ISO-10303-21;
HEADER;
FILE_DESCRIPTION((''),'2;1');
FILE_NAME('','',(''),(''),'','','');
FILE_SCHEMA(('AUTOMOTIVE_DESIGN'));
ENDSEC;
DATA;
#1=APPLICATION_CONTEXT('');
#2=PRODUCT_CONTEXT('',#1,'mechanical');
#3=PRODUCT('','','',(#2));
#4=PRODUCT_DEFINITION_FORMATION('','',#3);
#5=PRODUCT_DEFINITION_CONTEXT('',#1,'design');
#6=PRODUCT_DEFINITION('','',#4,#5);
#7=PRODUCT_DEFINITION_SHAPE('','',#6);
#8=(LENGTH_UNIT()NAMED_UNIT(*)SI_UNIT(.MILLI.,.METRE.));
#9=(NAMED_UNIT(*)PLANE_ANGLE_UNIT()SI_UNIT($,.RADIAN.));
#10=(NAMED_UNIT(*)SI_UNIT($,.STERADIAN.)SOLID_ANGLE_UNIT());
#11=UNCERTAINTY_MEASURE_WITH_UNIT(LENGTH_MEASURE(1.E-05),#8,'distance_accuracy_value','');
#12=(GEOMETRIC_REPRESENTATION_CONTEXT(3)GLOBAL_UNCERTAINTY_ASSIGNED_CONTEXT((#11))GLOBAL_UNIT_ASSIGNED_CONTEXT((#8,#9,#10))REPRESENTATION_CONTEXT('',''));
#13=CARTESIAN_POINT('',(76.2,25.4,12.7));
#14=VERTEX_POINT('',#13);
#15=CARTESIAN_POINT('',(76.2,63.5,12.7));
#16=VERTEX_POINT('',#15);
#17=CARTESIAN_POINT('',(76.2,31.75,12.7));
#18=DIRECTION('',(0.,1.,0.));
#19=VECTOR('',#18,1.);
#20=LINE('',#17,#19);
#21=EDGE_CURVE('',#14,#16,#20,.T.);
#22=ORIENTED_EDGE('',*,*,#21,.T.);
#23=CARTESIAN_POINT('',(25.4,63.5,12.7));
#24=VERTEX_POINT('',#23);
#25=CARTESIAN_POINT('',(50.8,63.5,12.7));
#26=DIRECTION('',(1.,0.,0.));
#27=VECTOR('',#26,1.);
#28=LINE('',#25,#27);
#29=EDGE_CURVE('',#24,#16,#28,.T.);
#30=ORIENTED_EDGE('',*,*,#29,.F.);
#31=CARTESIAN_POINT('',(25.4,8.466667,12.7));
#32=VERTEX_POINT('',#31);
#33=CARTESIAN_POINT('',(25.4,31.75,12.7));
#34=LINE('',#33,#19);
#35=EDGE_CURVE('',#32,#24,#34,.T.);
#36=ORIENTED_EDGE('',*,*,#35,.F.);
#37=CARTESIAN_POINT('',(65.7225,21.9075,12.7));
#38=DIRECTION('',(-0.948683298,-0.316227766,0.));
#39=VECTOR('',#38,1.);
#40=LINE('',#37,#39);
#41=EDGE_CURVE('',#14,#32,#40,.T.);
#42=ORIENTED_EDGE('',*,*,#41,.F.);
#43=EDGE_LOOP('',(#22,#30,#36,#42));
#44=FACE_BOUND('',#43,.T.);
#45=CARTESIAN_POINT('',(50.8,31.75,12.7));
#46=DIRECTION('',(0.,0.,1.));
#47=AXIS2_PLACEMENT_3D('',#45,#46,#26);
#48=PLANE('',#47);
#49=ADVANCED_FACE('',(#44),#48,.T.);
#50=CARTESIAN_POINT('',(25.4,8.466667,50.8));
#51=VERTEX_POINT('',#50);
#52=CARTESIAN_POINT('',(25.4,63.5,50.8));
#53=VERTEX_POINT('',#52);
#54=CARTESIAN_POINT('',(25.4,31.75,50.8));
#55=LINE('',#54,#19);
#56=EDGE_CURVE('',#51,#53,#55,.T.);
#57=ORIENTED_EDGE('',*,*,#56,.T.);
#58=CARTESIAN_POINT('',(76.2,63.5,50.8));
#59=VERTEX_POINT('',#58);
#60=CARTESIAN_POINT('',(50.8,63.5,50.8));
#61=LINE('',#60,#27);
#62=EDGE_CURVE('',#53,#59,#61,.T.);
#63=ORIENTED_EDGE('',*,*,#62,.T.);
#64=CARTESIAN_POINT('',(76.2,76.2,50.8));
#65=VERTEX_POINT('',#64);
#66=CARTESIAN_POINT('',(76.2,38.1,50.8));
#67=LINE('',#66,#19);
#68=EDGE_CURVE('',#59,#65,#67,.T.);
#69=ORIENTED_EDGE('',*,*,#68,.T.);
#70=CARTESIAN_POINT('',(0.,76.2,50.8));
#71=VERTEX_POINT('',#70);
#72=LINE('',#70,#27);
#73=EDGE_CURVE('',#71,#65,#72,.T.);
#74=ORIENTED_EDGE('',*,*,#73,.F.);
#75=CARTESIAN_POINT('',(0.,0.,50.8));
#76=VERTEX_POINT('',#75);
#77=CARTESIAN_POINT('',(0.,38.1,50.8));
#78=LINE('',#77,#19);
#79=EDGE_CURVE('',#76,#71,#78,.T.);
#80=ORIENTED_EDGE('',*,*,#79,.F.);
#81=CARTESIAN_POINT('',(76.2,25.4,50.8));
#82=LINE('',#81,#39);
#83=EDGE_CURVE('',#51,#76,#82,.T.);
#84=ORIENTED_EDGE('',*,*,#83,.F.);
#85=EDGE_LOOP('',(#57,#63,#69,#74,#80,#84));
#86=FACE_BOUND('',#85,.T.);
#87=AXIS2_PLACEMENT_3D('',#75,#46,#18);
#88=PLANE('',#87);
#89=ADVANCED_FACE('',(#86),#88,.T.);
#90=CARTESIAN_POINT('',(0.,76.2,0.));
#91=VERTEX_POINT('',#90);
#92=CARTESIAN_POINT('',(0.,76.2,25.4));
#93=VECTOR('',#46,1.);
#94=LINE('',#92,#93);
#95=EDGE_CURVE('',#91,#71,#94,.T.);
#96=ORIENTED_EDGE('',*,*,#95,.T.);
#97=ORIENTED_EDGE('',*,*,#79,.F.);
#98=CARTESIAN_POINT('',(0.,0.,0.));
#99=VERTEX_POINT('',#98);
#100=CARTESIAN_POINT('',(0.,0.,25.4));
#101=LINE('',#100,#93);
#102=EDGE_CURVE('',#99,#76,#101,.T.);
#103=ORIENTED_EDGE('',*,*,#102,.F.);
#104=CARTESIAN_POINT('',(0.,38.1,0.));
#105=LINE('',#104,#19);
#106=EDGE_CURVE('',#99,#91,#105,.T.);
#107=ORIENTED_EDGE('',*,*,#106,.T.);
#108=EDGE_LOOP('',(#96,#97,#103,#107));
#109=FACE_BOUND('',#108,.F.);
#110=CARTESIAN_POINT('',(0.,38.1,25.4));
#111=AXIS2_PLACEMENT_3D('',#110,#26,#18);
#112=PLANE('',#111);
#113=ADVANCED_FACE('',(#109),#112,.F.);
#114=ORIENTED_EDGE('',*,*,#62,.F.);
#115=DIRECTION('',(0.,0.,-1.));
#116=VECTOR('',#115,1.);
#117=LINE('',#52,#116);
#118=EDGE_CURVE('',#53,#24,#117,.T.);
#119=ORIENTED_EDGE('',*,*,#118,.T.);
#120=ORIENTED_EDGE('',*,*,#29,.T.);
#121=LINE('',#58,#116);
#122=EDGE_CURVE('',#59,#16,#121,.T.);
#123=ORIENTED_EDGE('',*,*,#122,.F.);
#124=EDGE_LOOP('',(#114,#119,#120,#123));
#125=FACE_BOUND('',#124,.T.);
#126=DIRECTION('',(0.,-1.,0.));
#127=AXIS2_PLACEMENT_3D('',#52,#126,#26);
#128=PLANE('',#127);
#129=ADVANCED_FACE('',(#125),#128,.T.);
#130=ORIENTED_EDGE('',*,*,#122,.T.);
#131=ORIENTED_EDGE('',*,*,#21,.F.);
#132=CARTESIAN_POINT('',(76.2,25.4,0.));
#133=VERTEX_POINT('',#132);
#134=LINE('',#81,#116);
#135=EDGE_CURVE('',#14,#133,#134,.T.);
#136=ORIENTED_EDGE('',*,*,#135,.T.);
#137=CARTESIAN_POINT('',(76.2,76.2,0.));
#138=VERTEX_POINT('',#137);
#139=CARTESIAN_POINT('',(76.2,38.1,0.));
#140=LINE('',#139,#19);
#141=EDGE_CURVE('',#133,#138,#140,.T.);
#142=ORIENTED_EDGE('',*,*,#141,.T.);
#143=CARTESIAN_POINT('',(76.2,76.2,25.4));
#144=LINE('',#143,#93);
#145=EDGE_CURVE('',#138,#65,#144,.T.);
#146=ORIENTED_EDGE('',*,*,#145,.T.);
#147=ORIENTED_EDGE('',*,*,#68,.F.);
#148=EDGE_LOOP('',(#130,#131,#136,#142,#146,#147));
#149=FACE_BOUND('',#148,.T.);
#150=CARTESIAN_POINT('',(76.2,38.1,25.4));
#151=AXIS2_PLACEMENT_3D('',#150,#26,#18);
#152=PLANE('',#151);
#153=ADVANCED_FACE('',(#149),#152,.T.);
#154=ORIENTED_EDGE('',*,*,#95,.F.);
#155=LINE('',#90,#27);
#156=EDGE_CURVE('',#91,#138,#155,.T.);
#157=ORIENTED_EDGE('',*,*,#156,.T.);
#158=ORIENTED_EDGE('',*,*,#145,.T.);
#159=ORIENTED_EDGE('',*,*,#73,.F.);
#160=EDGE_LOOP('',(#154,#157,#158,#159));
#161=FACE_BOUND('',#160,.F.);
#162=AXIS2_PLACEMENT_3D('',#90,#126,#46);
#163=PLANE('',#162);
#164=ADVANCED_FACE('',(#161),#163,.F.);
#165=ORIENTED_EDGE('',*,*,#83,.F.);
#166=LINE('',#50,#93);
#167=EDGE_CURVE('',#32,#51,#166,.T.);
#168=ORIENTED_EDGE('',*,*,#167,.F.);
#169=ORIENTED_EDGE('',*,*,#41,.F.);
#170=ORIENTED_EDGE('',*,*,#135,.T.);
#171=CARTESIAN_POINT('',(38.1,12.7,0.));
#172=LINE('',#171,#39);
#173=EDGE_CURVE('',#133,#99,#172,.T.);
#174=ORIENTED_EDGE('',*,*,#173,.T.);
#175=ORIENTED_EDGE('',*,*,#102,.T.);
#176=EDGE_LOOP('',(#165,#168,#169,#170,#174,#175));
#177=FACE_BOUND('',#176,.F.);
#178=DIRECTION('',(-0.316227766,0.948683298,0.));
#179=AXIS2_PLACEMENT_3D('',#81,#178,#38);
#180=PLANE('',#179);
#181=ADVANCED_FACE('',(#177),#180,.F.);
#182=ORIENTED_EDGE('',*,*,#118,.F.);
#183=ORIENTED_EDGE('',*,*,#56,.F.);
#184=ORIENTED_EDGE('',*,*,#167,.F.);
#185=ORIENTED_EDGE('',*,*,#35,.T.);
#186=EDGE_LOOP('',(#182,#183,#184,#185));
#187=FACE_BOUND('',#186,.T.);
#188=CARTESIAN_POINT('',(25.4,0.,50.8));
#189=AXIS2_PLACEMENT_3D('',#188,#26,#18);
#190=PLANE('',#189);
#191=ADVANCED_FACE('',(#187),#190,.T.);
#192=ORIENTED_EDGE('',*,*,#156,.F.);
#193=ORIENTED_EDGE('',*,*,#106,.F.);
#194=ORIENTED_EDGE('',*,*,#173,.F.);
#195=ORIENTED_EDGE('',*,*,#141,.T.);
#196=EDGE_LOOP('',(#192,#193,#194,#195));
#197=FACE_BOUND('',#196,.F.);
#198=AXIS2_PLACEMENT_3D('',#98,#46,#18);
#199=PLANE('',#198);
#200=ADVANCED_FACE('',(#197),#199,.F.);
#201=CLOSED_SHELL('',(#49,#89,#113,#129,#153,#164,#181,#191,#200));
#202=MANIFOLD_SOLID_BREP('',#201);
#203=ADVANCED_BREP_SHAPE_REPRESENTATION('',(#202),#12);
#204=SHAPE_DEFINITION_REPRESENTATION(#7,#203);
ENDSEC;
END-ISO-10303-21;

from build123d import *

# Parameters (mm, degrees)
F0_W     = 76.2
F0_H     = 50.8
F1_DEPTH = 76.2
F2_W     = 50.8
F2_H     = 63.5
F3_DEPTH = 38.1
F5_DEPTH = 50.801


with BuildPart() as f1:
    # F0 (on Right) → F1 (new body)
    with BuildSketch(Plane.YZ):
        with Locations((38.1, 25.4)):
            Rectangle(F0_W, F0_H)
    extrude(amount=F1_DEPTH)

    # F2 (on face) → F3 (cut)
    with BuildSketch(Plane.XY.offset(50.8)):
        with Locations((50.8, 31.75)):
            Rectangle(F2_W, F2_H)
    extrude(amount=-F3_DEPTH, mode=Mode.SUBTRACT)

    # F4 (on face) → F5 (cut, through all)
    with BuildSketch(Plane.XY.offset(50.8)):
        Polygon((76.2, 25.4), (0, 0), (76.2, 0), align=None)
        Polygon((25.4, 8.466667), (25.4, 0), (76.2, 0), (76.2, 25.4), align=None)
    extrude(amount=-F5_DEPTH, mode=Mode.SUBTRACT)


solid = f1.part
